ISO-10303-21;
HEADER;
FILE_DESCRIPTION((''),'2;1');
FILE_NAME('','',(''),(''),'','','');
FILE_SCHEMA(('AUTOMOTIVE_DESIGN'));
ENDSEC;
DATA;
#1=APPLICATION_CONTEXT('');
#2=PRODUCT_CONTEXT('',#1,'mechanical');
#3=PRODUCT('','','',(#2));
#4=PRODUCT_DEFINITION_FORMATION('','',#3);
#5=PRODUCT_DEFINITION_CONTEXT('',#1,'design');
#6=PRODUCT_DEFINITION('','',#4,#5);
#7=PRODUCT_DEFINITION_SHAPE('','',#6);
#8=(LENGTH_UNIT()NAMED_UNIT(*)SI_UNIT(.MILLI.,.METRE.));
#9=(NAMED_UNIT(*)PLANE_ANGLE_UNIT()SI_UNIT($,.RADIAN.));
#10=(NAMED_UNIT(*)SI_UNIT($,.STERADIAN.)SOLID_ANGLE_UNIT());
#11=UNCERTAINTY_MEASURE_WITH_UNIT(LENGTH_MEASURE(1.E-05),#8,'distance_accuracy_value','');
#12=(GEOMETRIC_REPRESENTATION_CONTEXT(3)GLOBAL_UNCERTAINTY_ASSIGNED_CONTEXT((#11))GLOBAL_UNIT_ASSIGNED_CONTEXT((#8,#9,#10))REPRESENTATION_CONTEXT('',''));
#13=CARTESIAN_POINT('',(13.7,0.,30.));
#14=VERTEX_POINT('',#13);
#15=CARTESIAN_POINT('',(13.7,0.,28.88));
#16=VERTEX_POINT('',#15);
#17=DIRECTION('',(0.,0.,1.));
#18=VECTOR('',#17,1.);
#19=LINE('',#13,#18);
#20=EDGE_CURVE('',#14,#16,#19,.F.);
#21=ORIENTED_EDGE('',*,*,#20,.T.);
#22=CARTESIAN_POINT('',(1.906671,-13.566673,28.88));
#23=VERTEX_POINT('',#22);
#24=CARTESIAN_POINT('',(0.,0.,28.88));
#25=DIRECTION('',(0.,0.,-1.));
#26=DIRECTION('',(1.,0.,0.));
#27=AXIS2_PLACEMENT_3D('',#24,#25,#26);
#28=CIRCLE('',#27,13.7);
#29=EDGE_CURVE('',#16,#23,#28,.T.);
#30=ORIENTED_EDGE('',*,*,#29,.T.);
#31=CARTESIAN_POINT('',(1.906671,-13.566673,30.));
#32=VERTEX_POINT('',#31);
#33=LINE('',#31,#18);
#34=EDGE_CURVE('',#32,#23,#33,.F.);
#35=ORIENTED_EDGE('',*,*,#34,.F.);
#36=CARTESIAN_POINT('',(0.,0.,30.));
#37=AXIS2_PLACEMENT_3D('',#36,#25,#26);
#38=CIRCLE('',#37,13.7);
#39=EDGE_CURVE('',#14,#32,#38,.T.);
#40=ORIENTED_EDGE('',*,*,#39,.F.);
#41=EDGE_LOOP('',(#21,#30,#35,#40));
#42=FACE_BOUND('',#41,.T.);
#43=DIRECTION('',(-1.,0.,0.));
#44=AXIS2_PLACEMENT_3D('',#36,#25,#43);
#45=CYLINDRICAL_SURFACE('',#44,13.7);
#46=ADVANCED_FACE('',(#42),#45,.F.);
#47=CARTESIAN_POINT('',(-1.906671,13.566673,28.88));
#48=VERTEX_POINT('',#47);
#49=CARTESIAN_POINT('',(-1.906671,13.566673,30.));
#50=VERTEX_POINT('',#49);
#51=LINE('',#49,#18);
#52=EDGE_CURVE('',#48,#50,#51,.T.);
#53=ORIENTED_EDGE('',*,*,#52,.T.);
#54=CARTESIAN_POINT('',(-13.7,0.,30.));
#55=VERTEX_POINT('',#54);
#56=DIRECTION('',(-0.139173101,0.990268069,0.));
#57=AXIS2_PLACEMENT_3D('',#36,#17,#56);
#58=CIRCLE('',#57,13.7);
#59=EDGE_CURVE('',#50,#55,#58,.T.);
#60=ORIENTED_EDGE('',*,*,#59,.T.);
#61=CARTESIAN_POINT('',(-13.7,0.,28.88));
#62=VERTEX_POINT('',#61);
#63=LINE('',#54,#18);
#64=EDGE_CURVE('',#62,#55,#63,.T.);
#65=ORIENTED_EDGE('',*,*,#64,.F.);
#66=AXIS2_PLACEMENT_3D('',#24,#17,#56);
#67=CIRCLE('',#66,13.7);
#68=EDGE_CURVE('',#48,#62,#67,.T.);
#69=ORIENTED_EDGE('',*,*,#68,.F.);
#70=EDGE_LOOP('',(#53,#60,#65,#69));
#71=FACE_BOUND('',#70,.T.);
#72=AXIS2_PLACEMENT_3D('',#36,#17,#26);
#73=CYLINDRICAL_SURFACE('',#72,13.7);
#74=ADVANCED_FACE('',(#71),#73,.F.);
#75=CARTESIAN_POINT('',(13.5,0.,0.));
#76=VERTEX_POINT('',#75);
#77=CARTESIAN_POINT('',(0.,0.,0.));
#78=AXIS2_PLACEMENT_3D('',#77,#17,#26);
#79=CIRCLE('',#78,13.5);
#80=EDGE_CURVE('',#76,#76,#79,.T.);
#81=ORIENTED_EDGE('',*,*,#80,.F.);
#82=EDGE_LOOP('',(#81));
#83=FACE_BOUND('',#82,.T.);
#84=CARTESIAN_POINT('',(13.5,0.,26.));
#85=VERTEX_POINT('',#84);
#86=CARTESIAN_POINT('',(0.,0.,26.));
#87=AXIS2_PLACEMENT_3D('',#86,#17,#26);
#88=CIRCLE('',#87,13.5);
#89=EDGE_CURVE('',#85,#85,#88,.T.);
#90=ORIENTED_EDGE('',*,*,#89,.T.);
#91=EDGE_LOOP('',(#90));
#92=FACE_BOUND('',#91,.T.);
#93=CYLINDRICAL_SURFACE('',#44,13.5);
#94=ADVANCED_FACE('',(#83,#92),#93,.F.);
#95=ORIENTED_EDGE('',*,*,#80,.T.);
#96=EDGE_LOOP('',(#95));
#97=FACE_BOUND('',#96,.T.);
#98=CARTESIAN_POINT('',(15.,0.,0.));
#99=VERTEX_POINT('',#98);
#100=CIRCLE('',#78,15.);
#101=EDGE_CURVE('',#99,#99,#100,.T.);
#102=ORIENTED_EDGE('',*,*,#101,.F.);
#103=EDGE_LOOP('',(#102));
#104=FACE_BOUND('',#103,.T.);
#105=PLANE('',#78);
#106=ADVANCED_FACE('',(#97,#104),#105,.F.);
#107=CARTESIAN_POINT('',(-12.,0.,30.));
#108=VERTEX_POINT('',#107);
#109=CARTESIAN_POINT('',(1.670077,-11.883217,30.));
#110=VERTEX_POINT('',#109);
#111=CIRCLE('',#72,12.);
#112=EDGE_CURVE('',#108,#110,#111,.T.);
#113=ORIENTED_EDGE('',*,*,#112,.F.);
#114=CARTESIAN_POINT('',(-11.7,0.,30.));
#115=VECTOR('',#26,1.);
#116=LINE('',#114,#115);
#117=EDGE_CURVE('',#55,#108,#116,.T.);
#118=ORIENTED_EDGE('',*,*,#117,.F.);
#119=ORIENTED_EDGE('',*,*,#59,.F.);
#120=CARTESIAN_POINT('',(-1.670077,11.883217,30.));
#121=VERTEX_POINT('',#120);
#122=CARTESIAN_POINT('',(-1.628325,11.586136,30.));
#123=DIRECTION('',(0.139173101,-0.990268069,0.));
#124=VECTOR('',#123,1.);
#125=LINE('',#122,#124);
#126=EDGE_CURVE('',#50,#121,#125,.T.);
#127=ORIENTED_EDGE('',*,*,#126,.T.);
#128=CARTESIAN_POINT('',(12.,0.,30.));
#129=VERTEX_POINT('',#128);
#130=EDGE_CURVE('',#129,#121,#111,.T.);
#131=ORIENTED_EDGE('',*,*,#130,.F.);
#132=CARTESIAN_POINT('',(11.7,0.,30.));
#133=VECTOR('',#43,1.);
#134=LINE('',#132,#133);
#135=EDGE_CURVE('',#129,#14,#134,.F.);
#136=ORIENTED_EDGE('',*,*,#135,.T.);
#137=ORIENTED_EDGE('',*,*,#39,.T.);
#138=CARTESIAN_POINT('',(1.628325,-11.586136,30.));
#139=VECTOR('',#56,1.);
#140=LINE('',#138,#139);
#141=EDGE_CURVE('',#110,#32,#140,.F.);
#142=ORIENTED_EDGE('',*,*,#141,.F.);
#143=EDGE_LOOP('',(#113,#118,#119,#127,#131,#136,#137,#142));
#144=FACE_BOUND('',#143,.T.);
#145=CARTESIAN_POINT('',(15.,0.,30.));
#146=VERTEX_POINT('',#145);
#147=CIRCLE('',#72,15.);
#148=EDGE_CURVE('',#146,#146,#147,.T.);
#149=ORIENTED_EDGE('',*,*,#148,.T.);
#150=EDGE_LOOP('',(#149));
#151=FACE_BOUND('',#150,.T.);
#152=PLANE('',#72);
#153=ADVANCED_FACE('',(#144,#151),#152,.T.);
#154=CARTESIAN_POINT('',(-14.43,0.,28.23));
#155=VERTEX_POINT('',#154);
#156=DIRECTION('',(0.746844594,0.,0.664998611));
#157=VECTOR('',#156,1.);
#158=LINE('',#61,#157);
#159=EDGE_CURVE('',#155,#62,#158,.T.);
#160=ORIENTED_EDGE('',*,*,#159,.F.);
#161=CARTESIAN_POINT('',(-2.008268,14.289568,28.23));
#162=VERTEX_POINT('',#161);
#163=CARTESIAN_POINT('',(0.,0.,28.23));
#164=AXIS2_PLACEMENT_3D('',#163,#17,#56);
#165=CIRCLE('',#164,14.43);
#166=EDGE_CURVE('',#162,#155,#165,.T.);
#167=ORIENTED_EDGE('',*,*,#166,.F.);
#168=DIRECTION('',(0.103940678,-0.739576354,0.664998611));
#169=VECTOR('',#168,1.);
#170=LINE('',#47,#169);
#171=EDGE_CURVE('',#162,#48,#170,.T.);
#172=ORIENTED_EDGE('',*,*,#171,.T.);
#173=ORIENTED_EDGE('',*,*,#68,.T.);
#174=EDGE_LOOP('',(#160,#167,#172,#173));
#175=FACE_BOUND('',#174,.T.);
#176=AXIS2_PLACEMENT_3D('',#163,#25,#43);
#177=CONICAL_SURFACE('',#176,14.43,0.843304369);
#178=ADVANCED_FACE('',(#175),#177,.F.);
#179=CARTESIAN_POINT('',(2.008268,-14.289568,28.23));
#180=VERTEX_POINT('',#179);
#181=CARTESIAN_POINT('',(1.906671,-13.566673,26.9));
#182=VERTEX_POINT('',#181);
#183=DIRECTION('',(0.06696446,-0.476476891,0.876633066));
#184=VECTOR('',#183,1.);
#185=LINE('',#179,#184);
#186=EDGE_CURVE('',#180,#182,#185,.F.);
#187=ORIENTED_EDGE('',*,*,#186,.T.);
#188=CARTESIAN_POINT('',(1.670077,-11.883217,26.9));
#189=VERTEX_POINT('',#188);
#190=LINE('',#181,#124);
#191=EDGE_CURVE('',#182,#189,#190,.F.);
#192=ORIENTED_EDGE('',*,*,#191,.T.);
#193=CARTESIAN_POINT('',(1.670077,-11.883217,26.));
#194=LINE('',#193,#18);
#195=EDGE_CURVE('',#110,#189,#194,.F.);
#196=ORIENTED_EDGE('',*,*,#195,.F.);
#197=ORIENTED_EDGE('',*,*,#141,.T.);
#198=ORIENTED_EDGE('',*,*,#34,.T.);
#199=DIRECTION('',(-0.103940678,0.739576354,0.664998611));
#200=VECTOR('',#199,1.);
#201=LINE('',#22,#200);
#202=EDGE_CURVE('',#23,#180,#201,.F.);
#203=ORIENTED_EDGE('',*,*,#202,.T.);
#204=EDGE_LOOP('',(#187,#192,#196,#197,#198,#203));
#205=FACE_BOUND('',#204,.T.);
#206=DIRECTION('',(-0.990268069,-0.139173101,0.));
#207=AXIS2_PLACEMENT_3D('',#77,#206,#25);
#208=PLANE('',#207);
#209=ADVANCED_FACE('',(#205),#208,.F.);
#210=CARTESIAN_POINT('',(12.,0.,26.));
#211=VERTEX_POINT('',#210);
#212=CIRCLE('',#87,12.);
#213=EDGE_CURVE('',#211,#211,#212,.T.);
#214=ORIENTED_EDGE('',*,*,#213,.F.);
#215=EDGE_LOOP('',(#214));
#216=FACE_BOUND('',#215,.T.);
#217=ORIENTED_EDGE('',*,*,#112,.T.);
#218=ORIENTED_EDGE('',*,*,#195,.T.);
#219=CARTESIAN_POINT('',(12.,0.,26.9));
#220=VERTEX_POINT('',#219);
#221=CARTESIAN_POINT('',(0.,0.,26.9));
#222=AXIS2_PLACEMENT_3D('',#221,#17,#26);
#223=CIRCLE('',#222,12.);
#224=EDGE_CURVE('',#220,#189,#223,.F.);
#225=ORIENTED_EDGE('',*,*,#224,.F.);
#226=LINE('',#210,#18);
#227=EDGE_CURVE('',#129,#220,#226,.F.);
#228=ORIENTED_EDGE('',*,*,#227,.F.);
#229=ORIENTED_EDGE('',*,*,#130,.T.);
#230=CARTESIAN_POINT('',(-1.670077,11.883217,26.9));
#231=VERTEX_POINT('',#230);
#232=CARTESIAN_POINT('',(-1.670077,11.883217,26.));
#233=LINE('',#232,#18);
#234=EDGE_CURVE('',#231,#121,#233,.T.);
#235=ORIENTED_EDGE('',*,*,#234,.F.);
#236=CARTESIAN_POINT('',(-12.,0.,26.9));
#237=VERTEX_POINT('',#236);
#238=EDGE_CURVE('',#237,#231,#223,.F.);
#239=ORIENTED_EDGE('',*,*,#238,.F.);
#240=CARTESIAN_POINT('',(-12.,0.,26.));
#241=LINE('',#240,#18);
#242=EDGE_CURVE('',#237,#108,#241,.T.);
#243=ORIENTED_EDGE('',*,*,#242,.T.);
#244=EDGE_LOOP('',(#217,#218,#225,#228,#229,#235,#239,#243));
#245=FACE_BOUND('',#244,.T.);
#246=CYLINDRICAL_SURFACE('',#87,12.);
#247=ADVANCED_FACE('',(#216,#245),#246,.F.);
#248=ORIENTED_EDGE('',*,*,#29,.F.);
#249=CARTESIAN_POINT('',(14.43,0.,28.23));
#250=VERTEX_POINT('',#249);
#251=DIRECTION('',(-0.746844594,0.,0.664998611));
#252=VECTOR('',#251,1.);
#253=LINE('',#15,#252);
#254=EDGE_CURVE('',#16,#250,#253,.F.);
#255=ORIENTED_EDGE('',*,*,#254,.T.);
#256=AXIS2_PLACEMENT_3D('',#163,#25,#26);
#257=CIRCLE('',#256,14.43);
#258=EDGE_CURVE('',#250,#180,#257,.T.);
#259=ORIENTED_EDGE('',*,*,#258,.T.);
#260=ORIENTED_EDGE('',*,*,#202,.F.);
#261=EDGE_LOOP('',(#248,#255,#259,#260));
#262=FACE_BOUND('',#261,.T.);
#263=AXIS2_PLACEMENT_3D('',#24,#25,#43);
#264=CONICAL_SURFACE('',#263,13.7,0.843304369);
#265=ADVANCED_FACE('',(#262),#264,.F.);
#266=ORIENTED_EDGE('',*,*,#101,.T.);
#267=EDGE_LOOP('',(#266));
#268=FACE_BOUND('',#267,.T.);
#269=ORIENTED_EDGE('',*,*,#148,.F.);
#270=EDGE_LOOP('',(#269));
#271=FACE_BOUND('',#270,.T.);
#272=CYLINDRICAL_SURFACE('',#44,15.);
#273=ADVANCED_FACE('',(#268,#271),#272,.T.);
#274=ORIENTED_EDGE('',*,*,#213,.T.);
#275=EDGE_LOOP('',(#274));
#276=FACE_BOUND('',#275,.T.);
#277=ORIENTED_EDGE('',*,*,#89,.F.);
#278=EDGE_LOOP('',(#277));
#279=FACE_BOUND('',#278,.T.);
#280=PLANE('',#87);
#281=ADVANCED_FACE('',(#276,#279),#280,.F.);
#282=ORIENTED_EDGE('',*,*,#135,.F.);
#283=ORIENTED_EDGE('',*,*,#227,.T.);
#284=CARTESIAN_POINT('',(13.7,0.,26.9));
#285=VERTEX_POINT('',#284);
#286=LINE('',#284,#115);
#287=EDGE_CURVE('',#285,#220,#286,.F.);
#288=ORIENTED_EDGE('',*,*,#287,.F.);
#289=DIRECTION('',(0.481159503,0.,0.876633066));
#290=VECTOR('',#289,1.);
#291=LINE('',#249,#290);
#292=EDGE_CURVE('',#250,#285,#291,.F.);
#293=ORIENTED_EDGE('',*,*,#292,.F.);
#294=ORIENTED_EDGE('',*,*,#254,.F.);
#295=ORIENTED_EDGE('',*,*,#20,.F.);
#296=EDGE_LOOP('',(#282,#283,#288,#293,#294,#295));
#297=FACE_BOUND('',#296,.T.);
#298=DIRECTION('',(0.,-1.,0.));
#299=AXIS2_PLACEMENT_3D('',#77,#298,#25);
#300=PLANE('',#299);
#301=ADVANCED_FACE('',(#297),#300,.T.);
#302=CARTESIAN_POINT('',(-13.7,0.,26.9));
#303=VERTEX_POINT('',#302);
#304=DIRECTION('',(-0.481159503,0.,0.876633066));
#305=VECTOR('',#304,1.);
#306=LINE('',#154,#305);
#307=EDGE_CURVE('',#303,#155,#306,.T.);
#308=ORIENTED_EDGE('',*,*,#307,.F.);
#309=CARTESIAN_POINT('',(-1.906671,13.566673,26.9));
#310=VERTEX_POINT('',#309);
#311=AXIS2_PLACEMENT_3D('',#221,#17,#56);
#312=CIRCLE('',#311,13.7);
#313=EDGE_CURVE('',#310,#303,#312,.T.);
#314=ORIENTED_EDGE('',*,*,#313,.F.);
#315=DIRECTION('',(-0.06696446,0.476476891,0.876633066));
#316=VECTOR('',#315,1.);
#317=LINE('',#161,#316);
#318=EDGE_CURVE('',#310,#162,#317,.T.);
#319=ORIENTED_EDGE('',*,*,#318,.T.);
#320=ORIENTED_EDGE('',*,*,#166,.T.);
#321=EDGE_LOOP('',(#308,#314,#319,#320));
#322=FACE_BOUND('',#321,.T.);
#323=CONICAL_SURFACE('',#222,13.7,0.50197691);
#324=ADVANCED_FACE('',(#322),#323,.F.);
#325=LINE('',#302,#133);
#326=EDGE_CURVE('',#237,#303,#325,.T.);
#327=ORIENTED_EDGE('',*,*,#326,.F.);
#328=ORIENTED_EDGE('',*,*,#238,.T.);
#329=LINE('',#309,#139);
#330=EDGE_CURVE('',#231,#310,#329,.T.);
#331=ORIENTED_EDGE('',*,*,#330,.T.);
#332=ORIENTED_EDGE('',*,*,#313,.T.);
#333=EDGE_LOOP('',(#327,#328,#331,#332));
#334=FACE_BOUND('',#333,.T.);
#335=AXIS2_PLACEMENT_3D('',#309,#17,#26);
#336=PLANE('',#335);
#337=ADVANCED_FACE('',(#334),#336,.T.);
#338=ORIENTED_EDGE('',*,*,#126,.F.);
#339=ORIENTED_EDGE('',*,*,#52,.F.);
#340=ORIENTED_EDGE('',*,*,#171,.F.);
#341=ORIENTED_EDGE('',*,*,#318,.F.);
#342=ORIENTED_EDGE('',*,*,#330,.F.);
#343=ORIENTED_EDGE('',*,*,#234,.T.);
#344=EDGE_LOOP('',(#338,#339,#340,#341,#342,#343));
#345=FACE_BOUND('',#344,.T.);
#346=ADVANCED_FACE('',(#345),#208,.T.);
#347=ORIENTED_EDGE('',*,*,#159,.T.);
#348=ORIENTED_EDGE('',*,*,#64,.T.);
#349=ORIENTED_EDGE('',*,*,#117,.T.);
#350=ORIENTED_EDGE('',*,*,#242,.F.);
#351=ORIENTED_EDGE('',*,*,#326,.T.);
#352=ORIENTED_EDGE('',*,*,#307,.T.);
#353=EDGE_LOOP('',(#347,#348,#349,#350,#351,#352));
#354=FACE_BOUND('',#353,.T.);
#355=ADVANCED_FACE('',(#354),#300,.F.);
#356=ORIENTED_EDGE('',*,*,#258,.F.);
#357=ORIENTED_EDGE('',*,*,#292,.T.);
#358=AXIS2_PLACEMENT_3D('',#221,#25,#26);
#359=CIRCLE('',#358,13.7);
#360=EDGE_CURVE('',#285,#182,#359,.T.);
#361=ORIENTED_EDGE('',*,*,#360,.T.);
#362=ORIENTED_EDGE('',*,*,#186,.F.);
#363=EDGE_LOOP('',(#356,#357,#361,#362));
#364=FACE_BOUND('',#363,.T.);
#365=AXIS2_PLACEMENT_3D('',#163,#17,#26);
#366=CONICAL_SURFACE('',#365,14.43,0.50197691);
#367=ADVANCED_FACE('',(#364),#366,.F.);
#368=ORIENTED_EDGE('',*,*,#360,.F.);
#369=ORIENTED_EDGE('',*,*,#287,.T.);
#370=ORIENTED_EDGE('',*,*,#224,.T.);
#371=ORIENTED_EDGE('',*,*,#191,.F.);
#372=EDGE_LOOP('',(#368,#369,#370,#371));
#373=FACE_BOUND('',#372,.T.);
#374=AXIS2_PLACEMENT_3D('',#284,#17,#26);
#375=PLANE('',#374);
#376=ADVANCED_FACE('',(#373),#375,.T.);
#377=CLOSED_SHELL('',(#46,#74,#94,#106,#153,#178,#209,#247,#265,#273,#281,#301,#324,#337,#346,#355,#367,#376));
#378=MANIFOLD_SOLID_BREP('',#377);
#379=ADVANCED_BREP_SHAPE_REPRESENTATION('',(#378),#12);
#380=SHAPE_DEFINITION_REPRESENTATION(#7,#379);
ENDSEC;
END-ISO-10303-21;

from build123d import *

# Parameters (mm, degrees)
IZIM1_R                     = 15
IZIM1_R_2                   = 13.5
Y_KSEKLIK_EKSTR_ZYON1_DEPTH = 30
Y_KSEKLIK_EKSTR_ZYON2_START = -4
IZIM3_R                     = 13.5
IZIM3_R_2                   = 12
Y_KSEKLIK_EKSTR_ZYON2_DEPTH = 4


with BuildPart() as part:
    # Çizim1 → Yükseklik-Ekstrüzyon1 (new body)
    with BuildSketch(Plane.XY):
        Circle(IZIM1_R)
        Circle(IZIM1_R_2, mode=Mode.SUBTRACT)
    extrude(amount=Y_KSEKLIK_EKSTR_ZYON1_DEPTH)

    # Çizim3 → Yükseklik-Ekstrüzyon2 (add)
    with BuildSketch(Plane.XY.offset(30).offset(Y_KSEKLIK_EKSTR_ZYON2_START)):
        Circle(IZIM3_R)
        Circle(IZIM3_R_2, mode=Mode.SUBTRACT)
    extrude(amount=Y_KSEKLIK_EKSTR_ZYON2_DEPTH)

    # Kes-Süpür2: sweep along a path in Çizim5
    with BuildLine(Plane.XY.offset(30)) as kes_s_p_r2_path:
        ThreePointArc((-1.906671483, 13.566672542), (-10.339521249, 8.988008697), (-13.7, 0))
    # Çizim4 → Kes-Süpür2 (sweep, cut)
    with BuildSketch(Plane(origin=(0, 0, 0), x_dir=(1, 0, 0), z_dir=(0, 1, 0))):
        Polygon((-13.7, -30), (-13.7, -28.88), (-14.43, -28.23), (-13.7, -26.9), (-11.7, -26.9), (-11.7, -30), align=None)
    kes_s_p_r2 = sweep(path=kes_s_p_r2_path.line, mode=Mode.SUBTRACT)

    # Aynalama2: Kes-Süpür2 across plane
    add(kes_s_p_r2.mirror(Plane(origin=(0, 0, 0), x_dir=(0, 0, 1), z_dir=(0.7547095802227689, -0.6560590289905109, 0))), mode=Mode.SUBTRACT)


solid = part.part
